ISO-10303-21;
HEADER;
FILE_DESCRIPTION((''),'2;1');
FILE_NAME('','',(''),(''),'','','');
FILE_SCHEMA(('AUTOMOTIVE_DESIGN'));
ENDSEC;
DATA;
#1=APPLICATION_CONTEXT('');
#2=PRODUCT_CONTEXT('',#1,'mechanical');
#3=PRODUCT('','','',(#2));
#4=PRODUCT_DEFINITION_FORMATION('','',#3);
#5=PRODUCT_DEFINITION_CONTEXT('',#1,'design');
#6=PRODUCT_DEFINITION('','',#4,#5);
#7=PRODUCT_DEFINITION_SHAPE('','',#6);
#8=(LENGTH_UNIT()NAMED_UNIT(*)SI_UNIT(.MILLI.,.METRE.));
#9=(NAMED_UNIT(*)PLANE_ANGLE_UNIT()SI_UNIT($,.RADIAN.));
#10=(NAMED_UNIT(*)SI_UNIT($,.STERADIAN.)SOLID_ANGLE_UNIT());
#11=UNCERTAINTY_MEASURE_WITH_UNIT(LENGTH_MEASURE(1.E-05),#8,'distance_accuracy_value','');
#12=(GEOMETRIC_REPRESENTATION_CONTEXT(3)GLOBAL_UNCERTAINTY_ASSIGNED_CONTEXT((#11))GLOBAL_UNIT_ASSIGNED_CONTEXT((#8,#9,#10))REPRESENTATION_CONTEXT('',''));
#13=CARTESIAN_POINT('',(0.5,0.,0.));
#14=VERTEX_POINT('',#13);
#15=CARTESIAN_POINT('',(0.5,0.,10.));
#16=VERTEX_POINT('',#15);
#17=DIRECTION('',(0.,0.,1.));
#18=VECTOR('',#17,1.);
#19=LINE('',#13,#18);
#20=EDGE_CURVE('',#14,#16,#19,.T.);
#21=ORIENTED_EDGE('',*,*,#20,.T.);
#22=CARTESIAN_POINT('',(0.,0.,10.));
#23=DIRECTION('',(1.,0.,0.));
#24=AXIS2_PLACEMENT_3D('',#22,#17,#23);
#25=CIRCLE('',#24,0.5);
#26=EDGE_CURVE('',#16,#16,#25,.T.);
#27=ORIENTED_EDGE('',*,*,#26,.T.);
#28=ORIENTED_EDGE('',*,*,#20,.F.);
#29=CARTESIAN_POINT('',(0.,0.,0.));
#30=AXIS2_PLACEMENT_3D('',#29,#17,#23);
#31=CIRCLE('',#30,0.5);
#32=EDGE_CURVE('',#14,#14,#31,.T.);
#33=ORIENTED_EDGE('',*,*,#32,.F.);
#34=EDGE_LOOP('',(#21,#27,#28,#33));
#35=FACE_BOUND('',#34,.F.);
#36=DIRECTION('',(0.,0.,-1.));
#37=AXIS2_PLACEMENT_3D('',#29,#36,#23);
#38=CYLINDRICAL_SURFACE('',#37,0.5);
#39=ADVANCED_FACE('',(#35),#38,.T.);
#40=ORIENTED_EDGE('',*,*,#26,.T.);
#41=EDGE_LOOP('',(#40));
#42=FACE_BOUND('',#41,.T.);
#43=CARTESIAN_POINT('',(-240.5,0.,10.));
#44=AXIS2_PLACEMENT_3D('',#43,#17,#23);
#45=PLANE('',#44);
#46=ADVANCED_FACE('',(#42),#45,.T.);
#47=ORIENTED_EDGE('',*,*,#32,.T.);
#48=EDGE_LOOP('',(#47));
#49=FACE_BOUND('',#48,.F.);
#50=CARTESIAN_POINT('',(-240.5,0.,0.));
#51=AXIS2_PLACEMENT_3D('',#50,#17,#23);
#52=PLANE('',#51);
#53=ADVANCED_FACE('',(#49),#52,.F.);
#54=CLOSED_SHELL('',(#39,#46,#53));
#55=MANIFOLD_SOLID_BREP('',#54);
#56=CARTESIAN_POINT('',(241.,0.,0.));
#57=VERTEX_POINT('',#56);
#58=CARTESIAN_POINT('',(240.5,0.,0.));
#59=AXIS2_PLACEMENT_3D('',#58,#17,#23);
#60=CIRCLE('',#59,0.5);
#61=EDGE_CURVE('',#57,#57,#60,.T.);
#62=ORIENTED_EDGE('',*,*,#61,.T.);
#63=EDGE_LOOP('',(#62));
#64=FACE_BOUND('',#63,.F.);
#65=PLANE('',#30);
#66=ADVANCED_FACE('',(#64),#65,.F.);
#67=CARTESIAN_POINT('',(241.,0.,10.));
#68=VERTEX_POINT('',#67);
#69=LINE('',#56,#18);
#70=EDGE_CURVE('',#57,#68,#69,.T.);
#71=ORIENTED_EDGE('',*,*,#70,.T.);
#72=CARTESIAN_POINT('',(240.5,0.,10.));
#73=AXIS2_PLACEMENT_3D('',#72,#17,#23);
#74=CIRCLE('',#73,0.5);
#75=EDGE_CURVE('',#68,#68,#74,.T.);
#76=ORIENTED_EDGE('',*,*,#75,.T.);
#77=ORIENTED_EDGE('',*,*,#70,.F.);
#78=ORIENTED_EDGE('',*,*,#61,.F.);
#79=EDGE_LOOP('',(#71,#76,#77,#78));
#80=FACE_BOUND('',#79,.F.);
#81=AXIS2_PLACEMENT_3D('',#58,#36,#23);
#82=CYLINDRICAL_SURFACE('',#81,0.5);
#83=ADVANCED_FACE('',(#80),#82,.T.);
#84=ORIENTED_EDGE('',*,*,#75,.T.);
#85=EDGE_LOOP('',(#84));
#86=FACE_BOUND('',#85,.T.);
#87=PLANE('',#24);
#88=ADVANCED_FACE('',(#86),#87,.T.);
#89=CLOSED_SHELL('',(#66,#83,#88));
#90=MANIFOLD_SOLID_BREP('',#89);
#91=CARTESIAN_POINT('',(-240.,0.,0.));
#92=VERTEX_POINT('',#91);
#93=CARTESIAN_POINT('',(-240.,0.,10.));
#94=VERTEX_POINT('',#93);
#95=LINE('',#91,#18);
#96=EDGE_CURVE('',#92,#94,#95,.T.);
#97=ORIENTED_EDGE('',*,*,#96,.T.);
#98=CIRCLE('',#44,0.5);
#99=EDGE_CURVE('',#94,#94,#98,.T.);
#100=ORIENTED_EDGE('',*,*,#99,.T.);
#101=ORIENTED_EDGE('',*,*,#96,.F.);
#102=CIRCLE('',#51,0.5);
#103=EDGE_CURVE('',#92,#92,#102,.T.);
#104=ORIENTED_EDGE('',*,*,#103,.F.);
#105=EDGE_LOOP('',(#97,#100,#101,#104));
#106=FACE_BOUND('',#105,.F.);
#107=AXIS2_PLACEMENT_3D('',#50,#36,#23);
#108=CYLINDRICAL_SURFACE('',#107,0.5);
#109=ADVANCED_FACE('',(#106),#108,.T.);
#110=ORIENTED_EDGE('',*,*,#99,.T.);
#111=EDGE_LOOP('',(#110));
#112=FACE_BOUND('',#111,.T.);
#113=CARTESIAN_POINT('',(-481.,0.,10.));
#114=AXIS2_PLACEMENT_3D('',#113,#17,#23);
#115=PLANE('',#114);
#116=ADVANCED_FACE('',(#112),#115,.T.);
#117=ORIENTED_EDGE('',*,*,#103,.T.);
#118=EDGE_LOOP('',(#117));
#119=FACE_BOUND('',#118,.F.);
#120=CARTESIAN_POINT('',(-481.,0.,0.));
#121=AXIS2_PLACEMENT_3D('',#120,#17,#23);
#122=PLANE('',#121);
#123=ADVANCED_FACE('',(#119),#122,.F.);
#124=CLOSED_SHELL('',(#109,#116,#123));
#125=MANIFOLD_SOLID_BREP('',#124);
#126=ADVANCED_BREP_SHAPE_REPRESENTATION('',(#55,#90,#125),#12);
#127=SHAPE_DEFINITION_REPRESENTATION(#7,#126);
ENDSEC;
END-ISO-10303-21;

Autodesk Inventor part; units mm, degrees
ref_plane "YZ Plane" through (0, 0, 0) normal (1, 0, 0) x (0, 1, 0)
ref_plane "XZ Plane" through (0, 0, 0) normal (0, 1, 0) x (-1, 0, 0)
ref_plane "XY Plane" through (0, 0, 0) normal (0, 0, 1) x (1, 0, 0)
sketch "Sketch1" plane through (0, 0, 0) normal (0, 0, 1) x (1, 0, 0)
  line L0 (-300.5, -9) -> (300.5, -9)
  line L1 (300.5, -9) -> (300.5, 9)
  line L2 (300.5, 9) -> (-300.5, 9)
  line L3 (-300.5, 9) -> (-300.5, -9)
  line L4 (-300.5, -9) -> (300.5, 9) construction
  line L5 (300.5, -9) -> (-300.5, 9) construction
  point P0 (0, 0)
  dimension "d0" = 601
  dimension "d1" = 18
sketch "Lamello" plane through (0, 0, 0) normal (0, 0, 1) x (1, 0, 0)
  line L0 (48.383, 141.1858) -> (42.783, 141.1858)
  line L1 (40.583, 139.6858) -> (40.583, 114.6858)
  line L2 (42.783, 113.1858) -> (48.383, 113.1858)
  line L3 (50.583, 114.6858) -> (50.583, 139.6858)
  line L4 (50.583, 139.6858) -> (48.383, 141.1858)
  line L5 (40.583, 139.6858) -> (42.783, 141.1858)
  line L6 (40.583, 114.6858) -> (42.783, 113.1858)
  line L7 (50.583, 114.6858) -> (48.383, 113.1858)
  line L8 (50.583, 127.1858) -> (40.583, 127.1858)
  line L9 (45.583, 141.1858) -> (45.583, 113.1858)
  point P0 (45.583, 127.1858)
  point P1 (50.583, 141.1858)
  point P2 (40.583, 113.1858)
  point P3 (40.583, 141.1858)
  point P4 (50.583, 113.1858)
  dimension "d54" = 10
  dimension "d55" = 28
  dimension "d56" = 1.5
  dimension "d57" = 2.2
  dimension "d58" = 1.5
  dimension "d59" = 2.2
  dimension "d60" = 1.5
  dimension "d61" = 2.2
  dimension "d62" = 1.5
  dimension "d63" = 2.2
sketch "Sketch2" plane through (0, 0, 0) normal (0, 0, 1) x (1, 0, 0)
  circle A0 centre (240.5, 0) radius 0.5
  line L0 (300.5, 9) -> (-300.5, 9) projected
  line L1 (-300.5, -9) -> (300.5, -9) projected
  line L2 (0, -132.4) -> (0, 80.4) projected
  line L3 (300.5, -9) -> (300.5, 9) projected
  point P0 (0, 0)
  dimension "d4" = 1
  dimension "d50" = 9
  dimension "d70" = 60
extrude "Extrusion1" add sketch "Sketch2" along normal blind 10 contours A0
pattern_linear "Clamex Array" count 3 spacing 240.5 along (-1, 0, 0) of "Extrusion1"
sketch "Edge-Side Connection" plane through (0, 0, 0) normal (1, 0, 0) x (0, 1, 0)
  line L0 (-50, 0) -> (50, 0)
  line L1 (50, 0) -> (50, 18)
  line L2 (50, 18) -> (-50, 18)
  line L3 (-50, 18) -> (-50, 0)
  line L4 (-9, 0) -> (-9, -40)
  line L5 (-9, -40) -> (9, -40)
  line L6 (9, -40) -> (9, 0)
  line L7 (0, -14) -> (0, 14) construction
  line L8 (9, 0) -> (5, 0)
  line L9 (-5, -12.5) -> (-9, -12.5)
  point P0 (0, 0)
  point P1 (9, 0)
  point P2 (0, 0)
  dimension "d26" = 100
  dimension "d27" = 18
  dimension "d28" = 40
  dimension "OtherSideRefYCoordinate" = 9
  dimension "ReferenceCoord" = 9
  dimension "d49" = 90
sketch "Edge-Edge Connection" plane through (0, 0, 0) normal (1, 0, 0) x (0, 1, 0)
  line L0 (-102, 18) -> (18, 18)
  line L1 (18, 18) -> (0, 0)
  line L2 (0, 0) -> (-102, 0)
  line L3 (-102, 0) -> (-102, 18)
  line L4 (18, 18) -> (18, -102)
  line L5 (0, 0) -> (0, -102)
  line L6 (0, -102) -> (18, -102)
  line L7 (0.8657, 0.8657) -> (0, 0)
  line L8 (-0.902, 16.7756) -> (-0.902, 18)
  point P0 (4.4013, 4.4013)
  dimension "d51" = 18
  dimension "d53" = 18
  dimension "EdgeEdgeReferenceCoord" = 6.2244
  dimension "d65" = 90
  dimension "d66" = 120
  dimension "d67" = 120
  dimension "EdgeEdgeOtherSideRefYCoordinate" = 19.2315
equation "\"d9\" = Step"
equation "\"d27\" = NestleBoardT"
equation "\"d0\" = ContactPatchWidth"
equation "\"d1\" = ContactPatchHeight"
equation "\"ContactPatchWidth\" = 601"
equation "\"ContactPatchHeight\" = 18"
equation "\"PlacingWidth\" = 481"
equation "\"MinDistBetween\" = 96"
equation "\"Step\" = 240.5"
equation "\"Y_Coord\" = 9"
equation "\"NestleBoardT\" = 18"
equation "\"PillarBoardT\" = 18"
equation "\"AngleForYPositionCalc\" = 90deg"
equation "\"ConnectionAngle\" = 90deg"
equation "\"ShiftY\" = 0"
properties part number "Clamex Joint1200"
